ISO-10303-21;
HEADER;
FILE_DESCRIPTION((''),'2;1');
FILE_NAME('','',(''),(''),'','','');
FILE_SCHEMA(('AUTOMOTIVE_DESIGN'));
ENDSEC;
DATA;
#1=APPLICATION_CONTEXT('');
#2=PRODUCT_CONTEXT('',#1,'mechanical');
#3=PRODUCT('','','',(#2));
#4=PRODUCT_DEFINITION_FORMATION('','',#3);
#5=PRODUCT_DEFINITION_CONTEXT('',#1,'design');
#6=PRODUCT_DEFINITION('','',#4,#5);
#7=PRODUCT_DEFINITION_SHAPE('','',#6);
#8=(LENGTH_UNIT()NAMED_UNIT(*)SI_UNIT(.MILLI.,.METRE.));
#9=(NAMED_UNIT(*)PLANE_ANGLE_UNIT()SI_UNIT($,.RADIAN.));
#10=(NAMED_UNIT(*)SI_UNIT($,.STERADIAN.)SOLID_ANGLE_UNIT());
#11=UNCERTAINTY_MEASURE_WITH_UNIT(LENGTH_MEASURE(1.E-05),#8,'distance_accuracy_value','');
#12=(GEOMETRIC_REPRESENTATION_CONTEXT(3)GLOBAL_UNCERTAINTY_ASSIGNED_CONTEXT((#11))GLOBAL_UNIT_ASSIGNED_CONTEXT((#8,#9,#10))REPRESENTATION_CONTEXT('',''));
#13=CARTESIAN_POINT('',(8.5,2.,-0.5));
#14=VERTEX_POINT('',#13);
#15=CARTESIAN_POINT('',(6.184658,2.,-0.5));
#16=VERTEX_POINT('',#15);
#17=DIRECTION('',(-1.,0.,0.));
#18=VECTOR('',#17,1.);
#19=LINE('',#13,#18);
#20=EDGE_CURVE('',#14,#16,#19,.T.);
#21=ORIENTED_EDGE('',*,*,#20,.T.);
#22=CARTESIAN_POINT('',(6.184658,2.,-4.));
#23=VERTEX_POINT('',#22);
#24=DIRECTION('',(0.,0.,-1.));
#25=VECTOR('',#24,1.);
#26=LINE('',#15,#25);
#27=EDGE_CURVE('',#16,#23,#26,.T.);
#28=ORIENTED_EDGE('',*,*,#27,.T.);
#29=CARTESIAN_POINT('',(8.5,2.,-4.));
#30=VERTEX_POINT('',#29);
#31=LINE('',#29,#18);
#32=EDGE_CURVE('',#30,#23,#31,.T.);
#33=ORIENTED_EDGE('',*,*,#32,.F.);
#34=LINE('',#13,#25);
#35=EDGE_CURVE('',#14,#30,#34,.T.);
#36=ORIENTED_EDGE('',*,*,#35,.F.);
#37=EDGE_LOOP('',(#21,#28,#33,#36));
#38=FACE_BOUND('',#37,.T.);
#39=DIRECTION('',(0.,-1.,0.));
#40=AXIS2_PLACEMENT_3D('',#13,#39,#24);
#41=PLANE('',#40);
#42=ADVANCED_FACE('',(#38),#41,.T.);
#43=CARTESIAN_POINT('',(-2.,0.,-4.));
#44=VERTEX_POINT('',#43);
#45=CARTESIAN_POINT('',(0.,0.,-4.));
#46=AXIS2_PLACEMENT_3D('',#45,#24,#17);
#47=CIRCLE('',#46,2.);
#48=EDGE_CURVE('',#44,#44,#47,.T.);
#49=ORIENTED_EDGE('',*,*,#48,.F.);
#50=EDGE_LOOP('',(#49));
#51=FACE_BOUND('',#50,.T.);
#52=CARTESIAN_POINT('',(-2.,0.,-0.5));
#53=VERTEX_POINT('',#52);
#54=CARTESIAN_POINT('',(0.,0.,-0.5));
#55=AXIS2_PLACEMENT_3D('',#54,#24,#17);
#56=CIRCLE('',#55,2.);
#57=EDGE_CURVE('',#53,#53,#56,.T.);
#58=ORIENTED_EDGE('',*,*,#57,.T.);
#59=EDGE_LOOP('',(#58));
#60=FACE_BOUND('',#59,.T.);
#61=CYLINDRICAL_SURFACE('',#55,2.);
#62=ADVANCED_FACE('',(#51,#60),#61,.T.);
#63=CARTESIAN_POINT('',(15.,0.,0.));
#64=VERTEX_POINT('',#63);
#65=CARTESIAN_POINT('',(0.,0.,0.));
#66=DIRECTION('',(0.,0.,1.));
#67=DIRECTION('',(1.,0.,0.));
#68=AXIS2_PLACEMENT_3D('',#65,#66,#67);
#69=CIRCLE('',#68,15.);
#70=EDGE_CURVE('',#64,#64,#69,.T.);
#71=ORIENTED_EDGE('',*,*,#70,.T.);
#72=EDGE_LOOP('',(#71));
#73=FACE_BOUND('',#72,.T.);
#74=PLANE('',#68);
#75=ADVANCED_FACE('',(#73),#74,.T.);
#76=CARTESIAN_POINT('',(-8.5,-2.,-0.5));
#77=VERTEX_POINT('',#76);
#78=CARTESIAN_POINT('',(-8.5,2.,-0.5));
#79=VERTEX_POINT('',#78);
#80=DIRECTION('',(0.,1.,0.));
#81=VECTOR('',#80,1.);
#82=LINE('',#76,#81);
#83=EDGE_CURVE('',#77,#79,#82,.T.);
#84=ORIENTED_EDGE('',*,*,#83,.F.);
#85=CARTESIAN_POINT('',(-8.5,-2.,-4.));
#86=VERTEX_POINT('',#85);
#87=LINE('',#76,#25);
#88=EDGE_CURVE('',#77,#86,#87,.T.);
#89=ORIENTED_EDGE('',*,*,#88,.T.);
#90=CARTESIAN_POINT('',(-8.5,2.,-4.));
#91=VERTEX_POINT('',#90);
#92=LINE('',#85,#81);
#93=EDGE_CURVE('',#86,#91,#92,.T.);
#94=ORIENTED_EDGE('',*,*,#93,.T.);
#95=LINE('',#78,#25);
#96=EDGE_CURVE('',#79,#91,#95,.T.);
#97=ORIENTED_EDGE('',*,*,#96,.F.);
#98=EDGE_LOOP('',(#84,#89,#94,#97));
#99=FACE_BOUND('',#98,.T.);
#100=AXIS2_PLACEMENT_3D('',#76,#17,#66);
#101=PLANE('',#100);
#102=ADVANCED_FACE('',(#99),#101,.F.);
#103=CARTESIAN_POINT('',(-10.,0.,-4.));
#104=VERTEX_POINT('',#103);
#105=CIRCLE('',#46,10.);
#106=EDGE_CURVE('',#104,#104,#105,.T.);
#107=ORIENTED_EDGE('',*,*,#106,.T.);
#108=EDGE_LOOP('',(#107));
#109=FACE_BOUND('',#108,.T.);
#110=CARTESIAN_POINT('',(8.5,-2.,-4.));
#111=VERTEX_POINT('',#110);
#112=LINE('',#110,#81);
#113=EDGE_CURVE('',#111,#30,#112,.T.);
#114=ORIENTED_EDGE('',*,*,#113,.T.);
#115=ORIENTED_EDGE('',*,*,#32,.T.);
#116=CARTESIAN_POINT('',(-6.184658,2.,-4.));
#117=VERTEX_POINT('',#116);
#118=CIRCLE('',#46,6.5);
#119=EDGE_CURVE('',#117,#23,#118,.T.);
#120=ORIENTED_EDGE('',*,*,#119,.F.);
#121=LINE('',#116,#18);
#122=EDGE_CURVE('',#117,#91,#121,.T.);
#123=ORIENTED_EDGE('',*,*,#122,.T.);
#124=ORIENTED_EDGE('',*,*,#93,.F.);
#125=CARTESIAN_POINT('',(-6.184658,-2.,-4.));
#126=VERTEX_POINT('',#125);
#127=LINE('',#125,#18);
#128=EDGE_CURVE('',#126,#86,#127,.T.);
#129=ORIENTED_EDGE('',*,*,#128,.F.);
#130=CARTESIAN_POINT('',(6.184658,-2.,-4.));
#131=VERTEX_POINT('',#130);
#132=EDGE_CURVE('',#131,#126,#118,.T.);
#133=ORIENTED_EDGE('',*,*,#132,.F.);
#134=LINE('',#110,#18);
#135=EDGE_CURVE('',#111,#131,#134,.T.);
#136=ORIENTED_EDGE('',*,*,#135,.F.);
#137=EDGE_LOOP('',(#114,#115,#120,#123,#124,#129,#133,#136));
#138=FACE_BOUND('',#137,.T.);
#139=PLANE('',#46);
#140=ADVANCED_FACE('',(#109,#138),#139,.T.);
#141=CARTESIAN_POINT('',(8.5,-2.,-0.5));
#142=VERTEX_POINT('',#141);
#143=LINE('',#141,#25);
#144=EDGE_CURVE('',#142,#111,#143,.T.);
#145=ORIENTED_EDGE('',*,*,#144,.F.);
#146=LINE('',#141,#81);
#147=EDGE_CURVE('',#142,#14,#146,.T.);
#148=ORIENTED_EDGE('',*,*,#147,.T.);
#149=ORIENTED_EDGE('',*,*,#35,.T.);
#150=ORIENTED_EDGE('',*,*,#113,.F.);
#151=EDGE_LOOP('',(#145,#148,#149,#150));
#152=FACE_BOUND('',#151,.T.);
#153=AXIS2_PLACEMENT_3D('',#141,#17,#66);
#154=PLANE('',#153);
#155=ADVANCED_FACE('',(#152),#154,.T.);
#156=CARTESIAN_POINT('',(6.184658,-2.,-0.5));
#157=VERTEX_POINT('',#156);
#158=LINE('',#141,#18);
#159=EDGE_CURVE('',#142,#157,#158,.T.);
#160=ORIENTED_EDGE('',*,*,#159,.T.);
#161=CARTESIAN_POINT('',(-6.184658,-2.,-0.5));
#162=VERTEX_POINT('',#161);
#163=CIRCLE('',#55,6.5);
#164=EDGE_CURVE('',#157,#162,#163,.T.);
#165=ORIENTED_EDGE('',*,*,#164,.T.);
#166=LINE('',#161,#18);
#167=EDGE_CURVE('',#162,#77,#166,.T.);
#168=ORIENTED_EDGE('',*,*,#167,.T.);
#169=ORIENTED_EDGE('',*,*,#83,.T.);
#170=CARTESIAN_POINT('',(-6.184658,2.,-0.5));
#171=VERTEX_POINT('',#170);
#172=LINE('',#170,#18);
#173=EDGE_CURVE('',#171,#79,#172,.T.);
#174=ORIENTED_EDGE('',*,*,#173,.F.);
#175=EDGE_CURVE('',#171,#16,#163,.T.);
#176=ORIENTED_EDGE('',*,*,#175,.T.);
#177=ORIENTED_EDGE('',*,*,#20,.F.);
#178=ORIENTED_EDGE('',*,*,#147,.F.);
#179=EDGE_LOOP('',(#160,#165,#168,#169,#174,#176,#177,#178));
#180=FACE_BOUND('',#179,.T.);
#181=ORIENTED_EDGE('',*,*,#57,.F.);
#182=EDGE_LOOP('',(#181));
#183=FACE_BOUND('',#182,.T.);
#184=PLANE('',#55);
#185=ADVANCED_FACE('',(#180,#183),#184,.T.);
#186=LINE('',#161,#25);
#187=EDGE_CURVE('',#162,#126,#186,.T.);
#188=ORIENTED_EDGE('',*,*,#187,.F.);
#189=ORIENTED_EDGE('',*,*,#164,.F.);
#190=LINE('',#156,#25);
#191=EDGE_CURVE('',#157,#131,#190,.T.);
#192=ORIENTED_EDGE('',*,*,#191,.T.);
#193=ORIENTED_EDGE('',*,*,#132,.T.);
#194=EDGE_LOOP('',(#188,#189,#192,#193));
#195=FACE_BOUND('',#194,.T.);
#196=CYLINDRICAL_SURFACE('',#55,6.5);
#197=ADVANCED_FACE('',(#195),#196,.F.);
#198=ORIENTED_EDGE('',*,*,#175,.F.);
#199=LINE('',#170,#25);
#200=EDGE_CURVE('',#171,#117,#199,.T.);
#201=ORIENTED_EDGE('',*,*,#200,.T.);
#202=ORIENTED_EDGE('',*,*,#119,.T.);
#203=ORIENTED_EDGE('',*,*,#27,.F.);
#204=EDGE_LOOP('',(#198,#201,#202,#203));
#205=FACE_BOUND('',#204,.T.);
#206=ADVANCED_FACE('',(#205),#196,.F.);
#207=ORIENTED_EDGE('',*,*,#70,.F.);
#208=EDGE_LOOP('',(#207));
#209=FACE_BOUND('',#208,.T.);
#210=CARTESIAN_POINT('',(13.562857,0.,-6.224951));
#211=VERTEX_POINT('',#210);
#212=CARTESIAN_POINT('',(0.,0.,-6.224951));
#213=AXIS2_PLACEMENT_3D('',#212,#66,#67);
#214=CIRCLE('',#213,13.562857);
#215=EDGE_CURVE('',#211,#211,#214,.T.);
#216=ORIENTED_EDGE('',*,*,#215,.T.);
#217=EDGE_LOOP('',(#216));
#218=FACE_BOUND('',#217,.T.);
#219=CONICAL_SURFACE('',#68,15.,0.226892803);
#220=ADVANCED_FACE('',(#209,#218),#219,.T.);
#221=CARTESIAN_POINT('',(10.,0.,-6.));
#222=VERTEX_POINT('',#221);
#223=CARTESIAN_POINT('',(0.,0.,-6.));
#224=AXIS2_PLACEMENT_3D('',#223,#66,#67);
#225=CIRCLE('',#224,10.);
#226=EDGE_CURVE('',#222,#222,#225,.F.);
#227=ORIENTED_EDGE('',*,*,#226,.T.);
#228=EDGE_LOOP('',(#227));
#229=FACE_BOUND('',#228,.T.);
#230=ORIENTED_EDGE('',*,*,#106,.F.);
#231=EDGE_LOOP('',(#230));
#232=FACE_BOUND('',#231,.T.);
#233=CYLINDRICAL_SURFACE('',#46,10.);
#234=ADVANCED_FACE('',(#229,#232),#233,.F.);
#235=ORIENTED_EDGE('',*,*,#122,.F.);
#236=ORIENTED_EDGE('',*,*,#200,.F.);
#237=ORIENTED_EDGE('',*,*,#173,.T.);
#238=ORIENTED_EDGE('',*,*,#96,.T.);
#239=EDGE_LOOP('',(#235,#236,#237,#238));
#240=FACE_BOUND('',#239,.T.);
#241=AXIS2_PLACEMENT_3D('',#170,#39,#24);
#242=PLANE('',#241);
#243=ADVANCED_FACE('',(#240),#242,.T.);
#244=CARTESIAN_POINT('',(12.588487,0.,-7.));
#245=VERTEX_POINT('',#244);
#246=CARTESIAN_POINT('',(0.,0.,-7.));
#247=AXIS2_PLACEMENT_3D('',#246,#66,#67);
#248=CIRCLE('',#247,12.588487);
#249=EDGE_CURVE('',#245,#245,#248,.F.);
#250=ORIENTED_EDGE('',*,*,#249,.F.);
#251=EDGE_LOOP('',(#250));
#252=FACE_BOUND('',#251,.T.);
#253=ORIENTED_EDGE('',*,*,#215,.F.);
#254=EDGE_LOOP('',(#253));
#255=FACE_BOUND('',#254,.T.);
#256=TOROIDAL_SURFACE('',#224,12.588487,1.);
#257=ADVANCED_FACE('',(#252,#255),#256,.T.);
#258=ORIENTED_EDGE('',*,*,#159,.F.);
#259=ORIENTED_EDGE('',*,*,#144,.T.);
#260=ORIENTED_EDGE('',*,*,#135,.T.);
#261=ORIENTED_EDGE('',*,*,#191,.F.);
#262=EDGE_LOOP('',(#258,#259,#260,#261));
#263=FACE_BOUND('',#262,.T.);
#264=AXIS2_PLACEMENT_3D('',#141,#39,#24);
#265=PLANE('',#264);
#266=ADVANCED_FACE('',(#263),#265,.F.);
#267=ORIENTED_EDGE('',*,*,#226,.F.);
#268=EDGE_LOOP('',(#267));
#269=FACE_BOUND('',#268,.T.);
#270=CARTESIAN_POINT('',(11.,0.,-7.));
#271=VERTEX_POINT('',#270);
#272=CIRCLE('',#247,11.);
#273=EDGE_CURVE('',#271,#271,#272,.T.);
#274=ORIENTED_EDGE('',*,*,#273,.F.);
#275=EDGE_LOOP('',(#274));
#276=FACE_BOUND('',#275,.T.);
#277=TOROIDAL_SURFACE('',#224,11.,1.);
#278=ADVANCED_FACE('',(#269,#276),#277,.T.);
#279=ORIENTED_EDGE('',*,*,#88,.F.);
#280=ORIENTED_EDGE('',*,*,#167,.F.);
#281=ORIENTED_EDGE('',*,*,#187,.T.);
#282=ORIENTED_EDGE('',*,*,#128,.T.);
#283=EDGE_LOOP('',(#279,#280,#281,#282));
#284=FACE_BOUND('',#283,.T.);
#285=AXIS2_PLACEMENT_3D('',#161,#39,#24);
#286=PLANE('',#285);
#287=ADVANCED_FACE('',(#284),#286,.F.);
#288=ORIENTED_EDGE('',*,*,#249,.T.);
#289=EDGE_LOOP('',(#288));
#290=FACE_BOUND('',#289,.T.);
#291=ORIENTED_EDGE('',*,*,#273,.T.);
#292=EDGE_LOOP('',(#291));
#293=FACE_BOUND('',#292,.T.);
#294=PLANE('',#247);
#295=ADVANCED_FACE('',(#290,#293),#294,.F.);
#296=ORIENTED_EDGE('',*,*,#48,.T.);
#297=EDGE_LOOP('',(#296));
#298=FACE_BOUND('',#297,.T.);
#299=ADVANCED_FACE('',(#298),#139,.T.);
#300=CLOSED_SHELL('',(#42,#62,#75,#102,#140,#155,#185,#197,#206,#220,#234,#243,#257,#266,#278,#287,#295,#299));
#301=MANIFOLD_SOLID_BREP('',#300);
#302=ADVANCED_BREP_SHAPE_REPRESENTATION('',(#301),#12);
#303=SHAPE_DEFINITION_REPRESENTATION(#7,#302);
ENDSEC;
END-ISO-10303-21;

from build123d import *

# Parameters (mm, degrees)
CROQUIS1_R              = 15
SALIENTE_EXTRUIR1_DEPTH = 7
SALIENTE_EXTRUIR1_DRAFT = -13
CROQUIS3_R              = 10
CORTAR_EXTRUIR1_DEPTH   = 3
REDONDEO4_R             = 1
REDONDEO5_R             = 1
CROQUIS4_R              = 2
CORTAR_EXTRUIR3_DEPTH   = 3.5


with BuildPart() as part:
    # Croquis1 → Saliente-Extruir1 (with draft: the straight prism first)
    with BuildSketch(Plane.XY):
        Circle(CROQUIS1_R)
    extrude(amount=-SALIENTE_EXTRUIR1_DEPTH)
    # Saliente-Extruir1: the draft: its side faces are tilted about the plane it starts from
    saliente_extruir1_sides = [part.faces().sort_by_distance(p)[0] for p in [
        (-15, 0, -3.5),
    ]]
    draft(saliente_extruir1_sides, Plane.XY, SALIENTE_EXTRUIR1_DRAFT)

    # Croquis3 → Cortar-Extruir1 (cut)
    with BuildSketch(Plane(origin=(0, 0, -7), x_dir=(-1, 0, 0), z_dir=(0, 0, -1))):
        Circle(CROQUIS3_R)
    extrude(amount=-CORTAR_EXTRUIR1_DEPTH, mode=Mode.SUBTRACT)

    # Redondeo4
    redondeo4_edges = [part.edges().sort_by_distance(p)[0] for p in [
        (10, 0, -7),
    ]]
    fillet(redondeo4_edges, radius=REDONDEO4_R)

    # Redondeo5
    redondeo5_edges = [part.edges().sort_by_distance(p)[0] for p in [
        (-13.383922662, 0, -7),
    ]]
    fillet(redondeo5_edges, radius=REDONDEO5_R)

    # Croquis4 → Cortar-Extruir3 (cut)
    with BuildSketch(Plane(origin=(0, 0, -4), x_dir=(-1, 0, 0), z_dir=(0, 0, -1))):
        with BuildLine():
            Line((6.184658438, 2), (8.5, 2))
            Line((8.5, 2), (8.5, -2))
            Line((8.5, -2), (6.184658438, -2))
            ThreePointArc((6.184658438, -2), (0, -6.5), (-6.184658438, -2))
            Line((-6.184658438, -2), (-8.5, -2))
            Line((-8.5, -2), (-8.5, 2))
            Line((-8.5, 2), (-6.184658438, 2))
            ThreePointArc((-6.184658438, 2), (0, 6.5), (6.184658438, 2))
        make_face()
        Circle(CROQUIS4_R, mode=Mode.SUBTRACT)
    extrude(amount=-CORTAR_EXTRUIR3_DEPTH, mode=Mode.SUBTRACT)


solid = part.part
